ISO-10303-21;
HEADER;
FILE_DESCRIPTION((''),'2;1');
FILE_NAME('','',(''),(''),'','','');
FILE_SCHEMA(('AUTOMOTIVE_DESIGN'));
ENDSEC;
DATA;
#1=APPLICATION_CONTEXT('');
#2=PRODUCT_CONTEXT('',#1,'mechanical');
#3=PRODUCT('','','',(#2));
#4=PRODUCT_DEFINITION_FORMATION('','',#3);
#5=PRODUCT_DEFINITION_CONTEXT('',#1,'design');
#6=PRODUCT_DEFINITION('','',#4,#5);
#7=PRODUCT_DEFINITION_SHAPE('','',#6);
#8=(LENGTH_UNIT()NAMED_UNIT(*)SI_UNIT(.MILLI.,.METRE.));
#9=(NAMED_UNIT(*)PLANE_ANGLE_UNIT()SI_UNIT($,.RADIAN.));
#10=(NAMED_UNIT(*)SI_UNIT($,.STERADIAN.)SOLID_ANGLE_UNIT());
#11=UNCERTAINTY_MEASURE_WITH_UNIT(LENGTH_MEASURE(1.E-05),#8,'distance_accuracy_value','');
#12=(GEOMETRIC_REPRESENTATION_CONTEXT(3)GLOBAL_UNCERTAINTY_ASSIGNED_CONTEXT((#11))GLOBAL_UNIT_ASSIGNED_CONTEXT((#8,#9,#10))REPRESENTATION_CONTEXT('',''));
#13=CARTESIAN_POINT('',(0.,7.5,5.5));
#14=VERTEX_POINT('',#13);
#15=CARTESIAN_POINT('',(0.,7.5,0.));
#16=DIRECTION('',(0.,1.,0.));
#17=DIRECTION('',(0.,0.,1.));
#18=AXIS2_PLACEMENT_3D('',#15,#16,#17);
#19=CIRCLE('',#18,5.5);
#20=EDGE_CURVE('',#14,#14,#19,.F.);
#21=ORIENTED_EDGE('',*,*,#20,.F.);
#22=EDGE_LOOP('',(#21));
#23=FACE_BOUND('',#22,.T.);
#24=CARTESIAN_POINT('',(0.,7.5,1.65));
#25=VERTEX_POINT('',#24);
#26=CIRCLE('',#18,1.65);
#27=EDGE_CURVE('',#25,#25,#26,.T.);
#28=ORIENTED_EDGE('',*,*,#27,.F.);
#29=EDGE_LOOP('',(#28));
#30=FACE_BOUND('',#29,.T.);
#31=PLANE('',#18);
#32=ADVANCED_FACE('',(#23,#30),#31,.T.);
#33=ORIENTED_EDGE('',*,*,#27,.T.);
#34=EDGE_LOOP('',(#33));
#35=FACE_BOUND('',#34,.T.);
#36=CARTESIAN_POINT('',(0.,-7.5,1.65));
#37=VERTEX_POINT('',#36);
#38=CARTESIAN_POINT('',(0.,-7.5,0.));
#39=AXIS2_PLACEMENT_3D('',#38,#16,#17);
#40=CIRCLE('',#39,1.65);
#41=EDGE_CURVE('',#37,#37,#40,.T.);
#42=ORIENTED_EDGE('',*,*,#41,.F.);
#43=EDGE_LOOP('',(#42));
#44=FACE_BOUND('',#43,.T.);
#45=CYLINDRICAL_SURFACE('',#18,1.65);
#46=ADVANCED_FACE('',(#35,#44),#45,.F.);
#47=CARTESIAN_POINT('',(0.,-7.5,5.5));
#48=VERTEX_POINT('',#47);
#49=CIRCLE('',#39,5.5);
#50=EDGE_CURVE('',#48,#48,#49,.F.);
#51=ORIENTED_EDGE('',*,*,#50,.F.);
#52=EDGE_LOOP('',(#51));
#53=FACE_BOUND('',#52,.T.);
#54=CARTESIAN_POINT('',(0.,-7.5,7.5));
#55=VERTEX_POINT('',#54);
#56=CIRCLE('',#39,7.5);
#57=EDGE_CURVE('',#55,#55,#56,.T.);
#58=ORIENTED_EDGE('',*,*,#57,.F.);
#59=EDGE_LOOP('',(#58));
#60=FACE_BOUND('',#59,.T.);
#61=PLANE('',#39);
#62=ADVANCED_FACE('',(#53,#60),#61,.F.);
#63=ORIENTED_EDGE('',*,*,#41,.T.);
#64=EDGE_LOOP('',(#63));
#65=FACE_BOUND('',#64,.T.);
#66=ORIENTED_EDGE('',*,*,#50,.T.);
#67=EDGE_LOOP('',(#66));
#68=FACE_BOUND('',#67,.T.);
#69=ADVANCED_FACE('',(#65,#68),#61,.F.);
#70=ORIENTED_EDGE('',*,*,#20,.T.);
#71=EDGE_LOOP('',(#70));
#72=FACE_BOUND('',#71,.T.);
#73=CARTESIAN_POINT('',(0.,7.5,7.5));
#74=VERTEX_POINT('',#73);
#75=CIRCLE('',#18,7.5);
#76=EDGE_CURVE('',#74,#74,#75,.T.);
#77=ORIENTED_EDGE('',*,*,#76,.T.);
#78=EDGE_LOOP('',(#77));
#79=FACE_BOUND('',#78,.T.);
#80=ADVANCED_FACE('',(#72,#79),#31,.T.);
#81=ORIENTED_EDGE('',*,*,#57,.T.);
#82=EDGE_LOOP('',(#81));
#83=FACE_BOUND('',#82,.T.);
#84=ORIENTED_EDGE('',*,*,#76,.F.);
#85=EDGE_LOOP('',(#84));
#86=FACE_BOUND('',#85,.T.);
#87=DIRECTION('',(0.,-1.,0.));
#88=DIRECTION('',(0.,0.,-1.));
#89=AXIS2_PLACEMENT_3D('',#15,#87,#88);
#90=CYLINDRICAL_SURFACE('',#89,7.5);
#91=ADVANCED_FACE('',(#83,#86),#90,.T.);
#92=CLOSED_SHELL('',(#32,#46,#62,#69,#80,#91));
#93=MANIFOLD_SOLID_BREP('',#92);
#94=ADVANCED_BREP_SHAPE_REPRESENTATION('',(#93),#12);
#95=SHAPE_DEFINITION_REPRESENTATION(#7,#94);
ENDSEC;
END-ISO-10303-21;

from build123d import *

# Parameters (mm, degrees)
SKETCH_1_R             = 7.5
EXTRUDE_1_DEPTH        = 7.5
HOLE_WIZARD_M4_1_D     = 3.3
HOLE_WIZARD_M4_1_DEPTH = 21.5
HOLE_WIZARD_M4_1_TIP   = 0.991420021


with BuildPart() as part:
    # 草图1 → 凸台-拉伸1 (new body, symmetric)
    with BuildSketch(Plane(origin=(0, 0, 0), x_dir=(1, 0, 0), z_dir=(0, 1, 0))):
        Circle(SKETCH_1_R)
    extrude(amount=EXTRUDE_1_DEPTH, both=True)

    # M4 螺纹孔1
    with Locations(Plane(origin=(0, 7.5, 0), x_dir=(1, 0, 0), z_dir=(0, 1, 0))):
        with Locations((0, 0)):
            Hole(HOLE_WIZARD_M4_1_D / 2, depth=HOLE_WIZARD_M4_1_DEPTH)
            with Locations((0, 0, -(HOLE_WIZARD_M4_1_DEPTH + HOLE_WIZARD_M4_1_TIP / 2))):  # 118° drill point
                Cone(0, HOLE_WIZARD_M4_1_D / 2, HOLE_WIZARD_M4_1_TIP, mode=Mode.SUBTRACT)


solid = part.part
